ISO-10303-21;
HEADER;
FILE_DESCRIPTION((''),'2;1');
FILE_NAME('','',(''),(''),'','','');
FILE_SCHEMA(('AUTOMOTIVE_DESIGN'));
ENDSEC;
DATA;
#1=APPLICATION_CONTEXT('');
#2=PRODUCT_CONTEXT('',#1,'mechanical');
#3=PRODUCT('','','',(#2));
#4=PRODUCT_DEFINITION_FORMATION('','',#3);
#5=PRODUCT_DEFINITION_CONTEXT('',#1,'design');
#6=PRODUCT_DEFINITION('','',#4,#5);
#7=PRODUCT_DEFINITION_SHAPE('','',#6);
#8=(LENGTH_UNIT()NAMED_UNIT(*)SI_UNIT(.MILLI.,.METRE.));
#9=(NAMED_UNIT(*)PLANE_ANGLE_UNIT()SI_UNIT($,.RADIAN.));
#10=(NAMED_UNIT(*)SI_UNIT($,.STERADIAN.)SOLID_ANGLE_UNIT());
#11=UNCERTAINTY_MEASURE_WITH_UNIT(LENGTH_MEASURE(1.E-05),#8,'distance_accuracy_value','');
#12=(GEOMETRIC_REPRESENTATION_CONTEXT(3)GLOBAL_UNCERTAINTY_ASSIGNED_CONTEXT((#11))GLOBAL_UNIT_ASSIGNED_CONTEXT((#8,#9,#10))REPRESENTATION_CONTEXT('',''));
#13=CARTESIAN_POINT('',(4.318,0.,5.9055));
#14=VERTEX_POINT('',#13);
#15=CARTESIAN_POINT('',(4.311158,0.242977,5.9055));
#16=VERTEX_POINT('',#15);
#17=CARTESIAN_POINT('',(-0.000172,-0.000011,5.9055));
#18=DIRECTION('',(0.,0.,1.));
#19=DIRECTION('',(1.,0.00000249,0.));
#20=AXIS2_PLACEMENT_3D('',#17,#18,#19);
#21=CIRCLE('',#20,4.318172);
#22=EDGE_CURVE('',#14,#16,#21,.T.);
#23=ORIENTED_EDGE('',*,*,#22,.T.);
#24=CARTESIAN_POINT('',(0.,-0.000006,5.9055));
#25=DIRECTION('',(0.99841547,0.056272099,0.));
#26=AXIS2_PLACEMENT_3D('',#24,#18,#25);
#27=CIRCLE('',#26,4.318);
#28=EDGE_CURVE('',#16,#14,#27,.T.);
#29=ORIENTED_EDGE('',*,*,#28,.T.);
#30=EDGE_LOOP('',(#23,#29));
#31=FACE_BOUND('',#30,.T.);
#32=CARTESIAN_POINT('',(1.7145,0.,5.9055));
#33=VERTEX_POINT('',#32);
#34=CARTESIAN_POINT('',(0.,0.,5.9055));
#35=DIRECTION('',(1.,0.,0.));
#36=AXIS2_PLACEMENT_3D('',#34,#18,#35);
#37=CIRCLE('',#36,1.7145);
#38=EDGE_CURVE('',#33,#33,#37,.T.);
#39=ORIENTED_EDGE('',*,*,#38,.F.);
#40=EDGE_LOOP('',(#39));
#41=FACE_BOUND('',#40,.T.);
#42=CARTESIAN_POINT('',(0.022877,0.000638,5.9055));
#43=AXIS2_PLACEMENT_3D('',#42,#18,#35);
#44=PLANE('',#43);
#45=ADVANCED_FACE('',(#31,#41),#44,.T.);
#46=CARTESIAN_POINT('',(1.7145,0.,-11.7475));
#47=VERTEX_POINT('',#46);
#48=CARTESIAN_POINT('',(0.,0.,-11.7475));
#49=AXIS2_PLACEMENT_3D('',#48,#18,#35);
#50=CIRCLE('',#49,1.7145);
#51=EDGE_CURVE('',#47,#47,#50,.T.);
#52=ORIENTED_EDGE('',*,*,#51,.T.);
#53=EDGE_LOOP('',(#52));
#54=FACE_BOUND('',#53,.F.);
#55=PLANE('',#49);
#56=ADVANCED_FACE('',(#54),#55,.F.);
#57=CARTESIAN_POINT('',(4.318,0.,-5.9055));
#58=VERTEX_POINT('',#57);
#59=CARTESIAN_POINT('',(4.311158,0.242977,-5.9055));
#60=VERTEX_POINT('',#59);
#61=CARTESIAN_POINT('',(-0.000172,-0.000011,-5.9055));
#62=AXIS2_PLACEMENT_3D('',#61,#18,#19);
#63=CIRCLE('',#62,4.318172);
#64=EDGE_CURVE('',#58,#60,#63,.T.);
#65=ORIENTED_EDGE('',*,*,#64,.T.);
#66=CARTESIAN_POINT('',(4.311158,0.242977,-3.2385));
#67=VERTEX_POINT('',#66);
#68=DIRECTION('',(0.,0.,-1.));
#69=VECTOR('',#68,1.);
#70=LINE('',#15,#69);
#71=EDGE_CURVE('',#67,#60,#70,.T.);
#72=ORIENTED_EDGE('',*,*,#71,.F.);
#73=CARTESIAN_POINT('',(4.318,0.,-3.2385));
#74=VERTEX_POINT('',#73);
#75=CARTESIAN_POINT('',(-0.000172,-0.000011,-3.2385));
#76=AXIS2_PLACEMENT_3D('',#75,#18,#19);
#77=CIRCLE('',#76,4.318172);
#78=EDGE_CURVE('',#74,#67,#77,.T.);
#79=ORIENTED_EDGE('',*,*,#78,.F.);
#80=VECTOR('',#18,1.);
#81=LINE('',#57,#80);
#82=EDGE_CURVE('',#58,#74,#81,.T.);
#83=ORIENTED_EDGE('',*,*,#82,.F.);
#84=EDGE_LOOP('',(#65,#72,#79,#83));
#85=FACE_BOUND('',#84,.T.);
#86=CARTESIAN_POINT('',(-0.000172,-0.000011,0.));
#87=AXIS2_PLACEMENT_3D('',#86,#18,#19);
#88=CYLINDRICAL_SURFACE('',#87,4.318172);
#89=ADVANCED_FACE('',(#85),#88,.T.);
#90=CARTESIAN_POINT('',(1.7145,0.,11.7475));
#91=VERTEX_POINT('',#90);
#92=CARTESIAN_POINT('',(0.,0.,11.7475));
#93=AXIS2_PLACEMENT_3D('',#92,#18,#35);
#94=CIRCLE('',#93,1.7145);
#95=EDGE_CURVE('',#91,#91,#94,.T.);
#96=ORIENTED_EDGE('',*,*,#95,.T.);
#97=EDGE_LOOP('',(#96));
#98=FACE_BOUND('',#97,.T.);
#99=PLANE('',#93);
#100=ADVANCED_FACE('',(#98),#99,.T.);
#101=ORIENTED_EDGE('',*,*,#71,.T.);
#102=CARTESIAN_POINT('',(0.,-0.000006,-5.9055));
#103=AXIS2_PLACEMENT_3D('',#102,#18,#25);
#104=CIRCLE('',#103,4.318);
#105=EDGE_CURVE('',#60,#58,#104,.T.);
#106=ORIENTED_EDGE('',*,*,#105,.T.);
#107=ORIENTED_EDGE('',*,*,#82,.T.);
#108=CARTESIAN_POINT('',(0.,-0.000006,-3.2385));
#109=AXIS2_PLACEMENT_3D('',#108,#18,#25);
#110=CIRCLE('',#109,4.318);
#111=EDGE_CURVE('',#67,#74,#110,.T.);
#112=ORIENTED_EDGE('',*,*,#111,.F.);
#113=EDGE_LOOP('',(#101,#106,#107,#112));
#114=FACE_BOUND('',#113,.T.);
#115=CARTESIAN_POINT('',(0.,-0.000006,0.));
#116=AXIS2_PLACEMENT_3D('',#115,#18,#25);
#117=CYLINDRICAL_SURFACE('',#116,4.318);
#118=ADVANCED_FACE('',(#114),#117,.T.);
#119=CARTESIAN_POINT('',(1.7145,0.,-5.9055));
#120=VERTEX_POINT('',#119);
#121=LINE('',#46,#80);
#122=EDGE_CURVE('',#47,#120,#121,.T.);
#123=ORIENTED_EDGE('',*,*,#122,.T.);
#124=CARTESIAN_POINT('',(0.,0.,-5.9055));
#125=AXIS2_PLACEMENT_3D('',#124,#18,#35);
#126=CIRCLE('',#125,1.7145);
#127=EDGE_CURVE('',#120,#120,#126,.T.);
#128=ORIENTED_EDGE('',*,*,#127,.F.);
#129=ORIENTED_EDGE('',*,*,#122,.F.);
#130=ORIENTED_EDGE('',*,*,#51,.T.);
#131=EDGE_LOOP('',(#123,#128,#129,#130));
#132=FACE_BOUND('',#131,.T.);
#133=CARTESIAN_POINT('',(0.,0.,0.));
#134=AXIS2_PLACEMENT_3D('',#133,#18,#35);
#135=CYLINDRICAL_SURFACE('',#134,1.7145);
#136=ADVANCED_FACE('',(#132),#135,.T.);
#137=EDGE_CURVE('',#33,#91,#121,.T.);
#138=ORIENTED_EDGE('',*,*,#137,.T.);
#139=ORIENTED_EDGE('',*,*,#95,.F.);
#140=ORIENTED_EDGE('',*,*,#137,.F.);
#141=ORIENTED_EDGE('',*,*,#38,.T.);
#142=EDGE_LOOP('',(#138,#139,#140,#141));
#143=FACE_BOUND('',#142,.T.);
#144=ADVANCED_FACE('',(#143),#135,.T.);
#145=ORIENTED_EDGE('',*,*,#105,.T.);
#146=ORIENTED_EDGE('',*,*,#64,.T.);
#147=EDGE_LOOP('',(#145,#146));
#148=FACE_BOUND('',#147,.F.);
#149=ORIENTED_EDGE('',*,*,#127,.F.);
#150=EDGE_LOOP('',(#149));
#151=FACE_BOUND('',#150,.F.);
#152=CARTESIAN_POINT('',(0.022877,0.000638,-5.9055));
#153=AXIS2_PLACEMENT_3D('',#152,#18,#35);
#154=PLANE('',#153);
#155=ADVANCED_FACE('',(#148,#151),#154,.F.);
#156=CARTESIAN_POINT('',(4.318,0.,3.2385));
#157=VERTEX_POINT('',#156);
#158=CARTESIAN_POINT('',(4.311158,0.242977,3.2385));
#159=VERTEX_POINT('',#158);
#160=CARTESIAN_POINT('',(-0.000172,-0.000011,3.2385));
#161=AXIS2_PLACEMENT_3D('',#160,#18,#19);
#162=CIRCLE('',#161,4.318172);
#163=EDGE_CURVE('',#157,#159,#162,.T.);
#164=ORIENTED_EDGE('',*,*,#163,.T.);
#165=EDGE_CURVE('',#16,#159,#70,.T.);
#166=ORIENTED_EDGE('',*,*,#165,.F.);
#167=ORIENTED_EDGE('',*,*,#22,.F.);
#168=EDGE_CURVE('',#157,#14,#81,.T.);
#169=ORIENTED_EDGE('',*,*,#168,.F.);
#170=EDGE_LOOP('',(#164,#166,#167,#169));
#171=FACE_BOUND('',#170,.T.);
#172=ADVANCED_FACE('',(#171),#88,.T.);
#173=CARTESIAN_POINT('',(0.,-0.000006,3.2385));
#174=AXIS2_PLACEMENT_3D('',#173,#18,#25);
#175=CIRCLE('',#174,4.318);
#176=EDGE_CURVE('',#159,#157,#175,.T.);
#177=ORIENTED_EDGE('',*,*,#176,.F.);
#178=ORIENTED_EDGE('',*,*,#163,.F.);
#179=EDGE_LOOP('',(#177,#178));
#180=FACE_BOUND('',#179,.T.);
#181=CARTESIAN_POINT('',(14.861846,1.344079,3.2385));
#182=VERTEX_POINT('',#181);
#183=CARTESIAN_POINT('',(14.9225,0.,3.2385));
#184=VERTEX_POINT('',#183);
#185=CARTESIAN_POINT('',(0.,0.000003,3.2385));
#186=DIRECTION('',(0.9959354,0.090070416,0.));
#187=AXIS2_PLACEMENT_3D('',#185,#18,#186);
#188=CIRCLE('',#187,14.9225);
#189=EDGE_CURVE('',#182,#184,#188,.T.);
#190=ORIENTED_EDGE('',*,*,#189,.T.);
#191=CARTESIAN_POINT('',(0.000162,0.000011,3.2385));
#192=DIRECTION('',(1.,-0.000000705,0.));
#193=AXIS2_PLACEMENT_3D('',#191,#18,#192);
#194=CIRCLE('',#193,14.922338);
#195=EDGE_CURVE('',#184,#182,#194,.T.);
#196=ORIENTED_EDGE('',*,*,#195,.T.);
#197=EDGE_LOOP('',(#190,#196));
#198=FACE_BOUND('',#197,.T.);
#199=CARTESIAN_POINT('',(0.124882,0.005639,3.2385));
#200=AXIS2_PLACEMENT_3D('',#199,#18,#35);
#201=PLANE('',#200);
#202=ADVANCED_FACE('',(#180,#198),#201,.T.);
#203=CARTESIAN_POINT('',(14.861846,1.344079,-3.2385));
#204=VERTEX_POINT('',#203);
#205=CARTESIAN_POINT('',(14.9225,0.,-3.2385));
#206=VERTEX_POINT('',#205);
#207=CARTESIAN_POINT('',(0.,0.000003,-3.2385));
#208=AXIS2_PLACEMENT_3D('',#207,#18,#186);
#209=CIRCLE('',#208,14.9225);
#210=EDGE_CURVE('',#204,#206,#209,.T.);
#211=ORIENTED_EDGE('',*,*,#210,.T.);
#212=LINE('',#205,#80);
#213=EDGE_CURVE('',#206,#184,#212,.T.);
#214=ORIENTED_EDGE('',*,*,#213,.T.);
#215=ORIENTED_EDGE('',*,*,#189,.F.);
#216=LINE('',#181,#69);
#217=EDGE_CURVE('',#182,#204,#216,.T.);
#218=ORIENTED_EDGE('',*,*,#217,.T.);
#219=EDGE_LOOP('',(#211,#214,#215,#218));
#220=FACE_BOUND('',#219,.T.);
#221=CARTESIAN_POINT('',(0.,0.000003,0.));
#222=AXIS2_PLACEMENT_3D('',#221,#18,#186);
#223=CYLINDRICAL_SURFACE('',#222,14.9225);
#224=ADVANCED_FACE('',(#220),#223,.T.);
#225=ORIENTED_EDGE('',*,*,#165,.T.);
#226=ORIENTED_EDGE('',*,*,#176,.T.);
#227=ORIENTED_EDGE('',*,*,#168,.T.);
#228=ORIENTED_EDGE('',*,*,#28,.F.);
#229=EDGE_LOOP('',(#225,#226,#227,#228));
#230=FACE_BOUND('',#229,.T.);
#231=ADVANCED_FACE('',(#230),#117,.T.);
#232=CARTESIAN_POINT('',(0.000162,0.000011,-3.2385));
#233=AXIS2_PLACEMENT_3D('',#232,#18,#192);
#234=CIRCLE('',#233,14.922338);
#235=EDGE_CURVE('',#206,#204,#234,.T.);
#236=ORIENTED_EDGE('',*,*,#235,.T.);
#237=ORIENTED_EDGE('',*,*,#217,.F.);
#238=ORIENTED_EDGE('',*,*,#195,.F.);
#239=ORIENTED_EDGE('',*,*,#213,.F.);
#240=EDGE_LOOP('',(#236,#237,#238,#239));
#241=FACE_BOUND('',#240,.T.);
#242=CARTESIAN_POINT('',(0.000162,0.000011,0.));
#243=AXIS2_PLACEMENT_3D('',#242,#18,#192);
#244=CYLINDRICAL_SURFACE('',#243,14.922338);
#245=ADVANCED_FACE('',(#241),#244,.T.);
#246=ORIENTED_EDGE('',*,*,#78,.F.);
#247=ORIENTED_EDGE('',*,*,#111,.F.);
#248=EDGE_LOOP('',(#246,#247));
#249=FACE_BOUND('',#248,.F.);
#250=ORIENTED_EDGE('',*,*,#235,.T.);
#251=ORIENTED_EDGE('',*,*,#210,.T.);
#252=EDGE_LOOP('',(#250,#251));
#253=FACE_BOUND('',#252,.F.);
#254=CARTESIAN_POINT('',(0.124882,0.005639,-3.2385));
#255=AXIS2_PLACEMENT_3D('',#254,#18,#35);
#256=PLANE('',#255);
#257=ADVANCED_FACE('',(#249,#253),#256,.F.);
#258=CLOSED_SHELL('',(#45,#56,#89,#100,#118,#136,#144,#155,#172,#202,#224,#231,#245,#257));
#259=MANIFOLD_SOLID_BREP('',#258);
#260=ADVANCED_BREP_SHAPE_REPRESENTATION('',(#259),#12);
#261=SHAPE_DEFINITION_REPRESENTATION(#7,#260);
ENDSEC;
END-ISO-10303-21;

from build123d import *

# Parameters (mm, degrees)
F1_DEPTH = 3.2385
F3_DEPTH = 5.9055
F4_R     = 1.7145
F5_DEPTH = 11.7475


with BuildPart() as f1:
    # F0 (on Top) → F1 (new body, symmetric)
    with BuildSketch(Plane.XY):
        with BuildLine():
            ThreePointArc((14.861846, 1.344079), (-14.907329, -0.672724), (14.9225, 0))
            ThreePointArc((14.9225, 0), (14.907329, 0.672724), (14.861846, 1.344079))
        make_face()
    extrude(amount=F1_DEPTH, both=True)

    # F2 (on Top) → F3 (join, symmetric)
    with BuildSketch(Plane.XY):
        with BuildLine():
            ThreePointArc((4.311158, 0.242977), (-4.316289, -0.121537), (4.318, 0))
            ThreePointArc((4.318, 0), (4.316289, 0.121537), (4.311158, 0.242977))
        make_face()
    extrude(amount=F3_DEPTH, both=True)

    # F4 (on Top) → F5 (join, symmetric)
    with BuildSketch(Plane.XY):
        Circle(F4_R)
    extrude(amount=F5_DEPTH, both=True)


solid = f1.part
